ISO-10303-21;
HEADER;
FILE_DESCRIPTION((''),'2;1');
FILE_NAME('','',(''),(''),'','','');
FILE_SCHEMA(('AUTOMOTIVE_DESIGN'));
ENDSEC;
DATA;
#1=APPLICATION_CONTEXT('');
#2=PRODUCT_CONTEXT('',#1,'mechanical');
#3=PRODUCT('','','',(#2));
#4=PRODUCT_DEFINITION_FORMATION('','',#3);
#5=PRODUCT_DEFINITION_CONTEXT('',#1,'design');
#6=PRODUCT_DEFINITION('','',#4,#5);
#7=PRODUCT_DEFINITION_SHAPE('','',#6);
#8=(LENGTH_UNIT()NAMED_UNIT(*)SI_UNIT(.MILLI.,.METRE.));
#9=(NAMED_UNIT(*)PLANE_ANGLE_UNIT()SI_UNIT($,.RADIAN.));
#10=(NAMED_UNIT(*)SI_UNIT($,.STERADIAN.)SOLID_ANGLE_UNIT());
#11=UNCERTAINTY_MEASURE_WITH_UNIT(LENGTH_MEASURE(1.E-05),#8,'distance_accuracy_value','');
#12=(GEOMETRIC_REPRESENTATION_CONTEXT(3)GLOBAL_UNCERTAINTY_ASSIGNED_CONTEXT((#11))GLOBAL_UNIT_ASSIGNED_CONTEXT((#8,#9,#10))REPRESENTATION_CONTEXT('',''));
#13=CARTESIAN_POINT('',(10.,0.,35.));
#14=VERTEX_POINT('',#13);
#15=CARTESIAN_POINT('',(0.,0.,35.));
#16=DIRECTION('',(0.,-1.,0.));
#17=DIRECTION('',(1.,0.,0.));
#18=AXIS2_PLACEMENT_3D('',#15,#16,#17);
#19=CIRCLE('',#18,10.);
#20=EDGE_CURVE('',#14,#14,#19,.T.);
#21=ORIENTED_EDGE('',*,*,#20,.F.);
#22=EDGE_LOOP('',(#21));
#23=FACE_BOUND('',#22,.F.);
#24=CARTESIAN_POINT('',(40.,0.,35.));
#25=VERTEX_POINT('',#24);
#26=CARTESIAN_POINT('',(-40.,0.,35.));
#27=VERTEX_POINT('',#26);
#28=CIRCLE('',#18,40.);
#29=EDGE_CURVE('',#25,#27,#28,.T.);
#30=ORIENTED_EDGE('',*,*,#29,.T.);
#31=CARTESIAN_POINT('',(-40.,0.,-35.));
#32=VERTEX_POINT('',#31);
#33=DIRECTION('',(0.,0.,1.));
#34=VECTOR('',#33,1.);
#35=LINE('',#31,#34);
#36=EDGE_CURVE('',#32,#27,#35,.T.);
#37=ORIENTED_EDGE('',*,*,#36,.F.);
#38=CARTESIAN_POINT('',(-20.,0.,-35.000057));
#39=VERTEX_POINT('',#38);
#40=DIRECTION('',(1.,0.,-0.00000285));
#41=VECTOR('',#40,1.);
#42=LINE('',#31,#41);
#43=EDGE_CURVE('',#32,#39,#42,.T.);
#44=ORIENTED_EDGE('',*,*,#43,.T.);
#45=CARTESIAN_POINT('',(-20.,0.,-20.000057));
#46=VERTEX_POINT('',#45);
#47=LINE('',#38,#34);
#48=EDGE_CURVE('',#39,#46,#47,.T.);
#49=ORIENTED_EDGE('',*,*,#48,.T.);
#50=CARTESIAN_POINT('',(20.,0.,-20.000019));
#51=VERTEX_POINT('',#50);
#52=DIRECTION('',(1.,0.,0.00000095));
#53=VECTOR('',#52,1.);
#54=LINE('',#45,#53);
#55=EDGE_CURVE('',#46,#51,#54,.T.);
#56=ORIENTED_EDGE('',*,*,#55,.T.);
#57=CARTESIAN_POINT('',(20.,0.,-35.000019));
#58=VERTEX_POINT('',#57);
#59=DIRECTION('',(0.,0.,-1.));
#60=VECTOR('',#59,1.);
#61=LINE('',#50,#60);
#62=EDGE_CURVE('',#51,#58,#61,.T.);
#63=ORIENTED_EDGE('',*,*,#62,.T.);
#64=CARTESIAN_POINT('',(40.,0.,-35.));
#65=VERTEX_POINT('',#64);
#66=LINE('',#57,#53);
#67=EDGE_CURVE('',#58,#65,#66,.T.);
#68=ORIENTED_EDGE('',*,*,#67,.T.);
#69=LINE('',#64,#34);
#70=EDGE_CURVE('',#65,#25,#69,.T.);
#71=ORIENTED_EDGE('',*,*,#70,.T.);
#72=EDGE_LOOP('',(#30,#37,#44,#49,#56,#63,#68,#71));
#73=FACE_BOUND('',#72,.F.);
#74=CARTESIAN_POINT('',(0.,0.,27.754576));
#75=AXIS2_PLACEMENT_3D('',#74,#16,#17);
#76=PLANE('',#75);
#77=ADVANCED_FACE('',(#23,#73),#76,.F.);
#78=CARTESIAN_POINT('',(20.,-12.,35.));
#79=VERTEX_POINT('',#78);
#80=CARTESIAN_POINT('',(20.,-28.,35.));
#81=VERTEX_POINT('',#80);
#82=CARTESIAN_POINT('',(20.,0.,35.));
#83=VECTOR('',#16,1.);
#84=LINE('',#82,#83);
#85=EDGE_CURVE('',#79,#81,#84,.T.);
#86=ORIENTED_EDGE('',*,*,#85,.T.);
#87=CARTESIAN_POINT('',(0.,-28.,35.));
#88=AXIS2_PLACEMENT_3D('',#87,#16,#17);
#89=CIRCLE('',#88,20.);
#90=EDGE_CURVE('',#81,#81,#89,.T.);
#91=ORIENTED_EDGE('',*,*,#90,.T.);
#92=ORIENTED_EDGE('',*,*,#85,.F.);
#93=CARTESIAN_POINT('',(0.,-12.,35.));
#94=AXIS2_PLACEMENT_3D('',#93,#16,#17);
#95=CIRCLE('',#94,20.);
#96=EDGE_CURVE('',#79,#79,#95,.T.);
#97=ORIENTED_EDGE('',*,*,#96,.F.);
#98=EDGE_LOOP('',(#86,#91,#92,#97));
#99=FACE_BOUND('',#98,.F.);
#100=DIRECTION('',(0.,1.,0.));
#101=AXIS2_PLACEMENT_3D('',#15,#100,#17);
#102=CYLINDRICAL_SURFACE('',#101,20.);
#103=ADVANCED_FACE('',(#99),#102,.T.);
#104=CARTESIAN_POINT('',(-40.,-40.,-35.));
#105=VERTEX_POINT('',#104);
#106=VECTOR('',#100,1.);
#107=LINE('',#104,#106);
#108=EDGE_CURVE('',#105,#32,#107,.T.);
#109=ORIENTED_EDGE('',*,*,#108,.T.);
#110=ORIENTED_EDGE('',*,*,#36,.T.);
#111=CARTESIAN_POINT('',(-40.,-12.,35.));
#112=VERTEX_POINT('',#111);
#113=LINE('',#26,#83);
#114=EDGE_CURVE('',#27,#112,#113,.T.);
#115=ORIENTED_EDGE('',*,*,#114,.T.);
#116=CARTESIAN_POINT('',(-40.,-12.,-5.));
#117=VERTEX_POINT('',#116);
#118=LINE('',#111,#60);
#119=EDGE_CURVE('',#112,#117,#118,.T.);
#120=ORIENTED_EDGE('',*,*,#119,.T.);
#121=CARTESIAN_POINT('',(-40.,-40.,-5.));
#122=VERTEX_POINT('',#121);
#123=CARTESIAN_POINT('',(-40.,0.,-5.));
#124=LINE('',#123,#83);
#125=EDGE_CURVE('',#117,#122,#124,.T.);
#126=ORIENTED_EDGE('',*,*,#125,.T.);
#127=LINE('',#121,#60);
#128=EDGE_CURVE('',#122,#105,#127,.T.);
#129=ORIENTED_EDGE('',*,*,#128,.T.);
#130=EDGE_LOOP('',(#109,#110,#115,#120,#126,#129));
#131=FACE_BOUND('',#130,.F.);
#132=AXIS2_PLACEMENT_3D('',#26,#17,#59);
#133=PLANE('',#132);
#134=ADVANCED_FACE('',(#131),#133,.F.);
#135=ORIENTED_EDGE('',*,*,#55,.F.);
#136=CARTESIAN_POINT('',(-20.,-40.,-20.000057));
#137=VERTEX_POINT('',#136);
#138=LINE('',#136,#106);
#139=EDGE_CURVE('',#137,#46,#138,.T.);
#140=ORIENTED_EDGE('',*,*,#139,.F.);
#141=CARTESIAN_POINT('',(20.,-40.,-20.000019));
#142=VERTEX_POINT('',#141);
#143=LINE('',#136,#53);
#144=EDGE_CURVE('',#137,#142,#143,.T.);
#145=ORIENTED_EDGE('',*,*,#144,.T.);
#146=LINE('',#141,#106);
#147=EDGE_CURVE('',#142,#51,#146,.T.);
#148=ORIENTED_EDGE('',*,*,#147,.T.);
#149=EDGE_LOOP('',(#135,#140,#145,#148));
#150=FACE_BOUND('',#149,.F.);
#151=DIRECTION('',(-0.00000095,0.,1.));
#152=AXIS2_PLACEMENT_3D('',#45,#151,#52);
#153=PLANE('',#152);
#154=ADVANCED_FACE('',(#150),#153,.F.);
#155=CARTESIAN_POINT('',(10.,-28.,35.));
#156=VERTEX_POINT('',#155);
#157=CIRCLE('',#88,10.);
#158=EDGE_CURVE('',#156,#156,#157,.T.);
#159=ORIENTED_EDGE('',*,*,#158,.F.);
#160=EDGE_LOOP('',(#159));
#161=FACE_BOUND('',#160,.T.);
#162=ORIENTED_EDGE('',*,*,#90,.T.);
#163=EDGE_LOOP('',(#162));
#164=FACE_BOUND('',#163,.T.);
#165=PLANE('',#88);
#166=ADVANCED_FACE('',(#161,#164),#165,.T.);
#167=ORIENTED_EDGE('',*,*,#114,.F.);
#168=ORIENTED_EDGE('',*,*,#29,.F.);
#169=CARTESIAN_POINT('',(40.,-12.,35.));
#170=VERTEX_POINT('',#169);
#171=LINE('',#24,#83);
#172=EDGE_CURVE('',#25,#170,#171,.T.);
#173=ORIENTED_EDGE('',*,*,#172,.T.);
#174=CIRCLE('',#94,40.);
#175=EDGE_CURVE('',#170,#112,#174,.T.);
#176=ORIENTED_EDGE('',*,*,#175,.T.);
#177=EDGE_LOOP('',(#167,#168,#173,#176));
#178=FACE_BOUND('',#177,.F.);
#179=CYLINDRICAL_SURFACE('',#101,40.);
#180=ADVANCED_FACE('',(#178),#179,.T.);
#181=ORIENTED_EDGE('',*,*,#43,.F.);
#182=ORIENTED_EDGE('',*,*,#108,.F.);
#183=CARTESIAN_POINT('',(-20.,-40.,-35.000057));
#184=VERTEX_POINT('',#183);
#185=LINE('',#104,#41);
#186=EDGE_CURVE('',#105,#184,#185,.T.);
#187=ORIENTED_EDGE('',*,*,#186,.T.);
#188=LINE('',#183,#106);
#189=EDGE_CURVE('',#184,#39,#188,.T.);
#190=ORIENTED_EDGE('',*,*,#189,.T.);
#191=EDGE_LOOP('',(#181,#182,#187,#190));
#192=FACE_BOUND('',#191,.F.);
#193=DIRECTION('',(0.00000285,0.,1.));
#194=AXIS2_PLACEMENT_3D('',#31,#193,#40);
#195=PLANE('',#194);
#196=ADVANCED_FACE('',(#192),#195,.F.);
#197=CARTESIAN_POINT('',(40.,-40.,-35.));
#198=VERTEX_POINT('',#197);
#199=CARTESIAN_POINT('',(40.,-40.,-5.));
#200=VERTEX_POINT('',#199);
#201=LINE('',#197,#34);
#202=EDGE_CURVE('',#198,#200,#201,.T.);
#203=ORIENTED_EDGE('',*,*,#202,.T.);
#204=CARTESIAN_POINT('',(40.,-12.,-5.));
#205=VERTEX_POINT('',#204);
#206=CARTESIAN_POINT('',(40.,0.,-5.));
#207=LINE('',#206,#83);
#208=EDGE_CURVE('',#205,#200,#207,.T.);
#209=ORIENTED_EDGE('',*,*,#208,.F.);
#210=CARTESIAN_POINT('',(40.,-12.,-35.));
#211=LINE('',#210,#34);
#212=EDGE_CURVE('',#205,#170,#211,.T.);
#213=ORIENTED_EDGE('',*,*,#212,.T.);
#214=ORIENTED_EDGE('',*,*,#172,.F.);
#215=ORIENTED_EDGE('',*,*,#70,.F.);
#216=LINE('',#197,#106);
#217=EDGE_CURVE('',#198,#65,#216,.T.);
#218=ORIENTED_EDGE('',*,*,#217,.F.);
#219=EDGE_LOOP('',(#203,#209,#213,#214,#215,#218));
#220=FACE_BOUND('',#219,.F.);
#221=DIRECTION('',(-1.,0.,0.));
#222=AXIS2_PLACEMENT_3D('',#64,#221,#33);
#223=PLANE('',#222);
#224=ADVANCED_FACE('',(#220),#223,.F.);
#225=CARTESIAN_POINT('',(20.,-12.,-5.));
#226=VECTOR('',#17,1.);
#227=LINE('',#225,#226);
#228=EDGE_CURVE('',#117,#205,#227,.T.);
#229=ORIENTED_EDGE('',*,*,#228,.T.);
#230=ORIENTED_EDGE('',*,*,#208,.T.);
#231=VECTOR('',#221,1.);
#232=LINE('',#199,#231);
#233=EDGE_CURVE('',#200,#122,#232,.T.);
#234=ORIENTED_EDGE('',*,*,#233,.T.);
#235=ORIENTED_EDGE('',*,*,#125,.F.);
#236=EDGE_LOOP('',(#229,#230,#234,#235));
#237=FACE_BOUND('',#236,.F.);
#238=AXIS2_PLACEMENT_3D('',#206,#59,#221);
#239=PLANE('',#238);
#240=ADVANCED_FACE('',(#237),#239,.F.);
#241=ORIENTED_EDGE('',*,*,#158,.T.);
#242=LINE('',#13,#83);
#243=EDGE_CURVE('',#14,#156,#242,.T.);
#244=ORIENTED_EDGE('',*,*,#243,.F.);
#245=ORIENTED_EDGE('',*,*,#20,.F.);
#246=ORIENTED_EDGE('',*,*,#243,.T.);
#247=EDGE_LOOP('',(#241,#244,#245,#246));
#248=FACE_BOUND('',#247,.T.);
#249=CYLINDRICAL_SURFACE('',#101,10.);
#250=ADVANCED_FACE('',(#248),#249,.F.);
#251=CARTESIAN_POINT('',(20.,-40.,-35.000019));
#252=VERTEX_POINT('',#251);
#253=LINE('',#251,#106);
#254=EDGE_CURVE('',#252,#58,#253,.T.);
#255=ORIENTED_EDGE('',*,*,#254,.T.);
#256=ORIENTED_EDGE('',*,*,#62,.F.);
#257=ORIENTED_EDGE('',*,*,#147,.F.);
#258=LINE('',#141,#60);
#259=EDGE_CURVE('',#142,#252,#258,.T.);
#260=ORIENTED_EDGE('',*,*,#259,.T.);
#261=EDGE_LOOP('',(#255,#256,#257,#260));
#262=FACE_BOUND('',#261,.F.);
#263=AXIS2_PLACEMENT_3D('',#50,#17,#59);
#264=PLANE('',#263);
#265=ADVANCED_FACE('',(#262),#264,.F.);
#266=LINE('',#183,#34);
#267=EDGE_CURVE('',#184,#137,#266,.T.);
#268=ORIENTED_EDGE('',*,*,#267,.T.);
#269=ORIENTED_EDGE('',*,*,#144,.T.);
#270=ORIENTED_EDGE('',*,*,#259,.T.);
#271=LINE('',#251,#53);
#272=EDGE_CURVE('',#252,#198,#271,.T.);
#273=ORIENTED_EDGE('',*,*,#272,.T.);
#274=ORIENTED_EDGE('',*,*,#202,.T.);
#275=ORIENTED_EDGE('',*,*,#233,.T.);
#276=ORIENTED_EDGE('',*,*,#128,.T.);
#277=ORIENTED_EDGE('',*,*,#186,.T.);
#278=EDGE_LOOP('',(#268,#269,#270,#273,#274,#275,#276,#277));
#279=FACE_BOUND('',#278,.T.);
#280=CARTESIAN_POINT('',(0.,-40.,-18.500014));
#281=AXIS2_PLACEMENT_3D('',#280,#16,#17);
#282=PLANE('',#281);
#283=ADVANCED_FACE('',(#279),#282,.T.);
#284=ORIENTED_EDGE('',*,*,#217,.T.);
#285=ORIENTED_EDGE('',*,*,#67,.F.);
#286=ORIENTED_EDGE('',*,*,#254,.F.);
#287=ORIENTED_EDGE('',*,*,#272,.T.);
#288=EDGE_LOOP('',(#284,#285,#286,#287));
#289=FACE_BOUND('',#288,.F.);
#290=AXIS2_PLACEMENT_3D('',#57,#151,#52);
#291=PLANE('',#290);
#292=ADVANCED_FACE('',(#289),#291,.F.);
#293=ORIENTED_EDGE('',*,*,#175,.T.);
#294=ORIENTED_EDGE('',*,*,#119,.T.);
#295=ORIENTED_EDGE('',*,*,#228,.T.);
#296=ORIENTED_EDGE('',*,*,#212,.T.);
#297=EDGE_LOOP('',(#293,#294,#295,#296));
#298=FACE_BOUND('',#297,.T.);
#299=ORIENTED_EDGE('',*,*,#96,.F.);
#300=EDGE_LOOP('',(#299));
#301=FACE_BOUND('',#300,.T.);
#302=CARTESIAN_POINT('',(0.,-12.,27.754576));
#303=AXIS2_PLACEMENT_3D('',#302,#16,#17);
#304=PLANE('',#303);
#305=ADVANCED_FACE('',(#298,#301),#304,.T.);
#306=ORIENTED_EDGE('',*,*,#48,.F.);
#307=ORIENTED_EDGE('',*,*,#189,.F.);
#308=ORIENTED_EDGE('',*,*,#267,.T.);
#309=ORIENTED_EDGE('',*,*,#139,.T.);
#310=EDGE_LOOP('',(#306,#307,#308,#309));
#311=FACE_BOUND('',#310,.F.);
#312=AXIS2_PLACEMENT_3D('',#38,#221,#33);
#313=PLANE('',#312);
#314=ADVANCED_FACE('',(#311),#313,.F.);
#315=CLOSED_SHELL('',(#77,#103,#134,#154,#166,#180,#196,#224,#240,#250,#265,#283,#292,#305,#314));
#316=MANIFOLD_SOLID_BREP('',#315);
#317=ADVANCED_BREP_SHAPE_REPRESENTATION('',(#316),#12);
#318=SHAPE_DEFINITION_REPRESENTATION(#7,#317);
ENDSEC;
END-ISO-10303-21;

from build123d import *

# Parameters (mm, degrees)
F0_R     = 20
F0_R_2   = 10
F1_DEPTH = 28
F2_DEPTH = 12
F3_DEPTH = 40


with BuildPart() as f1:
    # F0 (on Front) → F1 (new body)
    with BuildSketch(Plane.XZ):
        with Locations((0, 35)):
            Circle(F0_R)
        with Locations((0, 35)):
            Circle(F0_R_2, mode=Mode.SUBTRACT)
    extrude(amount=F1_DEPTH)

    # F0 (on Front) → F2 (join)
    with BuildSketch(Plane.XZ):
        with BuildLine():
            ThreePointArc((40, 35), (0, 75), (-40, 35))
            Line((-40, 35), (-40, -5))
            Line((-40, -5), (40, -5))
            Line((40, -5), (40, 35))
        make_face()
        with Locations((0, 35)):
            Circle(F0_R, mode=Mode.SUBTRACT)
        Polygon((40, -5), (-40, -5), (-40, -35), (-20, -35.000057), (-20, -20.000057), (20, -20.000019), (20, -35.000019), (40, -35), align=None)
    extrude(amount=F2_DEPTH)

    # F0 (on Front) → F3 (join)
    with BuildSketch(Plane.XZ):
        Polygon((40, -5), (-40, -5), (-40, -35), (-20, -35.000057), (-20, -20.000057), (20, -20.000019), (20, -35.000019), (40, -35), align=None)
    extrude(amount=F3_DEPTH)


solid = f1.part
